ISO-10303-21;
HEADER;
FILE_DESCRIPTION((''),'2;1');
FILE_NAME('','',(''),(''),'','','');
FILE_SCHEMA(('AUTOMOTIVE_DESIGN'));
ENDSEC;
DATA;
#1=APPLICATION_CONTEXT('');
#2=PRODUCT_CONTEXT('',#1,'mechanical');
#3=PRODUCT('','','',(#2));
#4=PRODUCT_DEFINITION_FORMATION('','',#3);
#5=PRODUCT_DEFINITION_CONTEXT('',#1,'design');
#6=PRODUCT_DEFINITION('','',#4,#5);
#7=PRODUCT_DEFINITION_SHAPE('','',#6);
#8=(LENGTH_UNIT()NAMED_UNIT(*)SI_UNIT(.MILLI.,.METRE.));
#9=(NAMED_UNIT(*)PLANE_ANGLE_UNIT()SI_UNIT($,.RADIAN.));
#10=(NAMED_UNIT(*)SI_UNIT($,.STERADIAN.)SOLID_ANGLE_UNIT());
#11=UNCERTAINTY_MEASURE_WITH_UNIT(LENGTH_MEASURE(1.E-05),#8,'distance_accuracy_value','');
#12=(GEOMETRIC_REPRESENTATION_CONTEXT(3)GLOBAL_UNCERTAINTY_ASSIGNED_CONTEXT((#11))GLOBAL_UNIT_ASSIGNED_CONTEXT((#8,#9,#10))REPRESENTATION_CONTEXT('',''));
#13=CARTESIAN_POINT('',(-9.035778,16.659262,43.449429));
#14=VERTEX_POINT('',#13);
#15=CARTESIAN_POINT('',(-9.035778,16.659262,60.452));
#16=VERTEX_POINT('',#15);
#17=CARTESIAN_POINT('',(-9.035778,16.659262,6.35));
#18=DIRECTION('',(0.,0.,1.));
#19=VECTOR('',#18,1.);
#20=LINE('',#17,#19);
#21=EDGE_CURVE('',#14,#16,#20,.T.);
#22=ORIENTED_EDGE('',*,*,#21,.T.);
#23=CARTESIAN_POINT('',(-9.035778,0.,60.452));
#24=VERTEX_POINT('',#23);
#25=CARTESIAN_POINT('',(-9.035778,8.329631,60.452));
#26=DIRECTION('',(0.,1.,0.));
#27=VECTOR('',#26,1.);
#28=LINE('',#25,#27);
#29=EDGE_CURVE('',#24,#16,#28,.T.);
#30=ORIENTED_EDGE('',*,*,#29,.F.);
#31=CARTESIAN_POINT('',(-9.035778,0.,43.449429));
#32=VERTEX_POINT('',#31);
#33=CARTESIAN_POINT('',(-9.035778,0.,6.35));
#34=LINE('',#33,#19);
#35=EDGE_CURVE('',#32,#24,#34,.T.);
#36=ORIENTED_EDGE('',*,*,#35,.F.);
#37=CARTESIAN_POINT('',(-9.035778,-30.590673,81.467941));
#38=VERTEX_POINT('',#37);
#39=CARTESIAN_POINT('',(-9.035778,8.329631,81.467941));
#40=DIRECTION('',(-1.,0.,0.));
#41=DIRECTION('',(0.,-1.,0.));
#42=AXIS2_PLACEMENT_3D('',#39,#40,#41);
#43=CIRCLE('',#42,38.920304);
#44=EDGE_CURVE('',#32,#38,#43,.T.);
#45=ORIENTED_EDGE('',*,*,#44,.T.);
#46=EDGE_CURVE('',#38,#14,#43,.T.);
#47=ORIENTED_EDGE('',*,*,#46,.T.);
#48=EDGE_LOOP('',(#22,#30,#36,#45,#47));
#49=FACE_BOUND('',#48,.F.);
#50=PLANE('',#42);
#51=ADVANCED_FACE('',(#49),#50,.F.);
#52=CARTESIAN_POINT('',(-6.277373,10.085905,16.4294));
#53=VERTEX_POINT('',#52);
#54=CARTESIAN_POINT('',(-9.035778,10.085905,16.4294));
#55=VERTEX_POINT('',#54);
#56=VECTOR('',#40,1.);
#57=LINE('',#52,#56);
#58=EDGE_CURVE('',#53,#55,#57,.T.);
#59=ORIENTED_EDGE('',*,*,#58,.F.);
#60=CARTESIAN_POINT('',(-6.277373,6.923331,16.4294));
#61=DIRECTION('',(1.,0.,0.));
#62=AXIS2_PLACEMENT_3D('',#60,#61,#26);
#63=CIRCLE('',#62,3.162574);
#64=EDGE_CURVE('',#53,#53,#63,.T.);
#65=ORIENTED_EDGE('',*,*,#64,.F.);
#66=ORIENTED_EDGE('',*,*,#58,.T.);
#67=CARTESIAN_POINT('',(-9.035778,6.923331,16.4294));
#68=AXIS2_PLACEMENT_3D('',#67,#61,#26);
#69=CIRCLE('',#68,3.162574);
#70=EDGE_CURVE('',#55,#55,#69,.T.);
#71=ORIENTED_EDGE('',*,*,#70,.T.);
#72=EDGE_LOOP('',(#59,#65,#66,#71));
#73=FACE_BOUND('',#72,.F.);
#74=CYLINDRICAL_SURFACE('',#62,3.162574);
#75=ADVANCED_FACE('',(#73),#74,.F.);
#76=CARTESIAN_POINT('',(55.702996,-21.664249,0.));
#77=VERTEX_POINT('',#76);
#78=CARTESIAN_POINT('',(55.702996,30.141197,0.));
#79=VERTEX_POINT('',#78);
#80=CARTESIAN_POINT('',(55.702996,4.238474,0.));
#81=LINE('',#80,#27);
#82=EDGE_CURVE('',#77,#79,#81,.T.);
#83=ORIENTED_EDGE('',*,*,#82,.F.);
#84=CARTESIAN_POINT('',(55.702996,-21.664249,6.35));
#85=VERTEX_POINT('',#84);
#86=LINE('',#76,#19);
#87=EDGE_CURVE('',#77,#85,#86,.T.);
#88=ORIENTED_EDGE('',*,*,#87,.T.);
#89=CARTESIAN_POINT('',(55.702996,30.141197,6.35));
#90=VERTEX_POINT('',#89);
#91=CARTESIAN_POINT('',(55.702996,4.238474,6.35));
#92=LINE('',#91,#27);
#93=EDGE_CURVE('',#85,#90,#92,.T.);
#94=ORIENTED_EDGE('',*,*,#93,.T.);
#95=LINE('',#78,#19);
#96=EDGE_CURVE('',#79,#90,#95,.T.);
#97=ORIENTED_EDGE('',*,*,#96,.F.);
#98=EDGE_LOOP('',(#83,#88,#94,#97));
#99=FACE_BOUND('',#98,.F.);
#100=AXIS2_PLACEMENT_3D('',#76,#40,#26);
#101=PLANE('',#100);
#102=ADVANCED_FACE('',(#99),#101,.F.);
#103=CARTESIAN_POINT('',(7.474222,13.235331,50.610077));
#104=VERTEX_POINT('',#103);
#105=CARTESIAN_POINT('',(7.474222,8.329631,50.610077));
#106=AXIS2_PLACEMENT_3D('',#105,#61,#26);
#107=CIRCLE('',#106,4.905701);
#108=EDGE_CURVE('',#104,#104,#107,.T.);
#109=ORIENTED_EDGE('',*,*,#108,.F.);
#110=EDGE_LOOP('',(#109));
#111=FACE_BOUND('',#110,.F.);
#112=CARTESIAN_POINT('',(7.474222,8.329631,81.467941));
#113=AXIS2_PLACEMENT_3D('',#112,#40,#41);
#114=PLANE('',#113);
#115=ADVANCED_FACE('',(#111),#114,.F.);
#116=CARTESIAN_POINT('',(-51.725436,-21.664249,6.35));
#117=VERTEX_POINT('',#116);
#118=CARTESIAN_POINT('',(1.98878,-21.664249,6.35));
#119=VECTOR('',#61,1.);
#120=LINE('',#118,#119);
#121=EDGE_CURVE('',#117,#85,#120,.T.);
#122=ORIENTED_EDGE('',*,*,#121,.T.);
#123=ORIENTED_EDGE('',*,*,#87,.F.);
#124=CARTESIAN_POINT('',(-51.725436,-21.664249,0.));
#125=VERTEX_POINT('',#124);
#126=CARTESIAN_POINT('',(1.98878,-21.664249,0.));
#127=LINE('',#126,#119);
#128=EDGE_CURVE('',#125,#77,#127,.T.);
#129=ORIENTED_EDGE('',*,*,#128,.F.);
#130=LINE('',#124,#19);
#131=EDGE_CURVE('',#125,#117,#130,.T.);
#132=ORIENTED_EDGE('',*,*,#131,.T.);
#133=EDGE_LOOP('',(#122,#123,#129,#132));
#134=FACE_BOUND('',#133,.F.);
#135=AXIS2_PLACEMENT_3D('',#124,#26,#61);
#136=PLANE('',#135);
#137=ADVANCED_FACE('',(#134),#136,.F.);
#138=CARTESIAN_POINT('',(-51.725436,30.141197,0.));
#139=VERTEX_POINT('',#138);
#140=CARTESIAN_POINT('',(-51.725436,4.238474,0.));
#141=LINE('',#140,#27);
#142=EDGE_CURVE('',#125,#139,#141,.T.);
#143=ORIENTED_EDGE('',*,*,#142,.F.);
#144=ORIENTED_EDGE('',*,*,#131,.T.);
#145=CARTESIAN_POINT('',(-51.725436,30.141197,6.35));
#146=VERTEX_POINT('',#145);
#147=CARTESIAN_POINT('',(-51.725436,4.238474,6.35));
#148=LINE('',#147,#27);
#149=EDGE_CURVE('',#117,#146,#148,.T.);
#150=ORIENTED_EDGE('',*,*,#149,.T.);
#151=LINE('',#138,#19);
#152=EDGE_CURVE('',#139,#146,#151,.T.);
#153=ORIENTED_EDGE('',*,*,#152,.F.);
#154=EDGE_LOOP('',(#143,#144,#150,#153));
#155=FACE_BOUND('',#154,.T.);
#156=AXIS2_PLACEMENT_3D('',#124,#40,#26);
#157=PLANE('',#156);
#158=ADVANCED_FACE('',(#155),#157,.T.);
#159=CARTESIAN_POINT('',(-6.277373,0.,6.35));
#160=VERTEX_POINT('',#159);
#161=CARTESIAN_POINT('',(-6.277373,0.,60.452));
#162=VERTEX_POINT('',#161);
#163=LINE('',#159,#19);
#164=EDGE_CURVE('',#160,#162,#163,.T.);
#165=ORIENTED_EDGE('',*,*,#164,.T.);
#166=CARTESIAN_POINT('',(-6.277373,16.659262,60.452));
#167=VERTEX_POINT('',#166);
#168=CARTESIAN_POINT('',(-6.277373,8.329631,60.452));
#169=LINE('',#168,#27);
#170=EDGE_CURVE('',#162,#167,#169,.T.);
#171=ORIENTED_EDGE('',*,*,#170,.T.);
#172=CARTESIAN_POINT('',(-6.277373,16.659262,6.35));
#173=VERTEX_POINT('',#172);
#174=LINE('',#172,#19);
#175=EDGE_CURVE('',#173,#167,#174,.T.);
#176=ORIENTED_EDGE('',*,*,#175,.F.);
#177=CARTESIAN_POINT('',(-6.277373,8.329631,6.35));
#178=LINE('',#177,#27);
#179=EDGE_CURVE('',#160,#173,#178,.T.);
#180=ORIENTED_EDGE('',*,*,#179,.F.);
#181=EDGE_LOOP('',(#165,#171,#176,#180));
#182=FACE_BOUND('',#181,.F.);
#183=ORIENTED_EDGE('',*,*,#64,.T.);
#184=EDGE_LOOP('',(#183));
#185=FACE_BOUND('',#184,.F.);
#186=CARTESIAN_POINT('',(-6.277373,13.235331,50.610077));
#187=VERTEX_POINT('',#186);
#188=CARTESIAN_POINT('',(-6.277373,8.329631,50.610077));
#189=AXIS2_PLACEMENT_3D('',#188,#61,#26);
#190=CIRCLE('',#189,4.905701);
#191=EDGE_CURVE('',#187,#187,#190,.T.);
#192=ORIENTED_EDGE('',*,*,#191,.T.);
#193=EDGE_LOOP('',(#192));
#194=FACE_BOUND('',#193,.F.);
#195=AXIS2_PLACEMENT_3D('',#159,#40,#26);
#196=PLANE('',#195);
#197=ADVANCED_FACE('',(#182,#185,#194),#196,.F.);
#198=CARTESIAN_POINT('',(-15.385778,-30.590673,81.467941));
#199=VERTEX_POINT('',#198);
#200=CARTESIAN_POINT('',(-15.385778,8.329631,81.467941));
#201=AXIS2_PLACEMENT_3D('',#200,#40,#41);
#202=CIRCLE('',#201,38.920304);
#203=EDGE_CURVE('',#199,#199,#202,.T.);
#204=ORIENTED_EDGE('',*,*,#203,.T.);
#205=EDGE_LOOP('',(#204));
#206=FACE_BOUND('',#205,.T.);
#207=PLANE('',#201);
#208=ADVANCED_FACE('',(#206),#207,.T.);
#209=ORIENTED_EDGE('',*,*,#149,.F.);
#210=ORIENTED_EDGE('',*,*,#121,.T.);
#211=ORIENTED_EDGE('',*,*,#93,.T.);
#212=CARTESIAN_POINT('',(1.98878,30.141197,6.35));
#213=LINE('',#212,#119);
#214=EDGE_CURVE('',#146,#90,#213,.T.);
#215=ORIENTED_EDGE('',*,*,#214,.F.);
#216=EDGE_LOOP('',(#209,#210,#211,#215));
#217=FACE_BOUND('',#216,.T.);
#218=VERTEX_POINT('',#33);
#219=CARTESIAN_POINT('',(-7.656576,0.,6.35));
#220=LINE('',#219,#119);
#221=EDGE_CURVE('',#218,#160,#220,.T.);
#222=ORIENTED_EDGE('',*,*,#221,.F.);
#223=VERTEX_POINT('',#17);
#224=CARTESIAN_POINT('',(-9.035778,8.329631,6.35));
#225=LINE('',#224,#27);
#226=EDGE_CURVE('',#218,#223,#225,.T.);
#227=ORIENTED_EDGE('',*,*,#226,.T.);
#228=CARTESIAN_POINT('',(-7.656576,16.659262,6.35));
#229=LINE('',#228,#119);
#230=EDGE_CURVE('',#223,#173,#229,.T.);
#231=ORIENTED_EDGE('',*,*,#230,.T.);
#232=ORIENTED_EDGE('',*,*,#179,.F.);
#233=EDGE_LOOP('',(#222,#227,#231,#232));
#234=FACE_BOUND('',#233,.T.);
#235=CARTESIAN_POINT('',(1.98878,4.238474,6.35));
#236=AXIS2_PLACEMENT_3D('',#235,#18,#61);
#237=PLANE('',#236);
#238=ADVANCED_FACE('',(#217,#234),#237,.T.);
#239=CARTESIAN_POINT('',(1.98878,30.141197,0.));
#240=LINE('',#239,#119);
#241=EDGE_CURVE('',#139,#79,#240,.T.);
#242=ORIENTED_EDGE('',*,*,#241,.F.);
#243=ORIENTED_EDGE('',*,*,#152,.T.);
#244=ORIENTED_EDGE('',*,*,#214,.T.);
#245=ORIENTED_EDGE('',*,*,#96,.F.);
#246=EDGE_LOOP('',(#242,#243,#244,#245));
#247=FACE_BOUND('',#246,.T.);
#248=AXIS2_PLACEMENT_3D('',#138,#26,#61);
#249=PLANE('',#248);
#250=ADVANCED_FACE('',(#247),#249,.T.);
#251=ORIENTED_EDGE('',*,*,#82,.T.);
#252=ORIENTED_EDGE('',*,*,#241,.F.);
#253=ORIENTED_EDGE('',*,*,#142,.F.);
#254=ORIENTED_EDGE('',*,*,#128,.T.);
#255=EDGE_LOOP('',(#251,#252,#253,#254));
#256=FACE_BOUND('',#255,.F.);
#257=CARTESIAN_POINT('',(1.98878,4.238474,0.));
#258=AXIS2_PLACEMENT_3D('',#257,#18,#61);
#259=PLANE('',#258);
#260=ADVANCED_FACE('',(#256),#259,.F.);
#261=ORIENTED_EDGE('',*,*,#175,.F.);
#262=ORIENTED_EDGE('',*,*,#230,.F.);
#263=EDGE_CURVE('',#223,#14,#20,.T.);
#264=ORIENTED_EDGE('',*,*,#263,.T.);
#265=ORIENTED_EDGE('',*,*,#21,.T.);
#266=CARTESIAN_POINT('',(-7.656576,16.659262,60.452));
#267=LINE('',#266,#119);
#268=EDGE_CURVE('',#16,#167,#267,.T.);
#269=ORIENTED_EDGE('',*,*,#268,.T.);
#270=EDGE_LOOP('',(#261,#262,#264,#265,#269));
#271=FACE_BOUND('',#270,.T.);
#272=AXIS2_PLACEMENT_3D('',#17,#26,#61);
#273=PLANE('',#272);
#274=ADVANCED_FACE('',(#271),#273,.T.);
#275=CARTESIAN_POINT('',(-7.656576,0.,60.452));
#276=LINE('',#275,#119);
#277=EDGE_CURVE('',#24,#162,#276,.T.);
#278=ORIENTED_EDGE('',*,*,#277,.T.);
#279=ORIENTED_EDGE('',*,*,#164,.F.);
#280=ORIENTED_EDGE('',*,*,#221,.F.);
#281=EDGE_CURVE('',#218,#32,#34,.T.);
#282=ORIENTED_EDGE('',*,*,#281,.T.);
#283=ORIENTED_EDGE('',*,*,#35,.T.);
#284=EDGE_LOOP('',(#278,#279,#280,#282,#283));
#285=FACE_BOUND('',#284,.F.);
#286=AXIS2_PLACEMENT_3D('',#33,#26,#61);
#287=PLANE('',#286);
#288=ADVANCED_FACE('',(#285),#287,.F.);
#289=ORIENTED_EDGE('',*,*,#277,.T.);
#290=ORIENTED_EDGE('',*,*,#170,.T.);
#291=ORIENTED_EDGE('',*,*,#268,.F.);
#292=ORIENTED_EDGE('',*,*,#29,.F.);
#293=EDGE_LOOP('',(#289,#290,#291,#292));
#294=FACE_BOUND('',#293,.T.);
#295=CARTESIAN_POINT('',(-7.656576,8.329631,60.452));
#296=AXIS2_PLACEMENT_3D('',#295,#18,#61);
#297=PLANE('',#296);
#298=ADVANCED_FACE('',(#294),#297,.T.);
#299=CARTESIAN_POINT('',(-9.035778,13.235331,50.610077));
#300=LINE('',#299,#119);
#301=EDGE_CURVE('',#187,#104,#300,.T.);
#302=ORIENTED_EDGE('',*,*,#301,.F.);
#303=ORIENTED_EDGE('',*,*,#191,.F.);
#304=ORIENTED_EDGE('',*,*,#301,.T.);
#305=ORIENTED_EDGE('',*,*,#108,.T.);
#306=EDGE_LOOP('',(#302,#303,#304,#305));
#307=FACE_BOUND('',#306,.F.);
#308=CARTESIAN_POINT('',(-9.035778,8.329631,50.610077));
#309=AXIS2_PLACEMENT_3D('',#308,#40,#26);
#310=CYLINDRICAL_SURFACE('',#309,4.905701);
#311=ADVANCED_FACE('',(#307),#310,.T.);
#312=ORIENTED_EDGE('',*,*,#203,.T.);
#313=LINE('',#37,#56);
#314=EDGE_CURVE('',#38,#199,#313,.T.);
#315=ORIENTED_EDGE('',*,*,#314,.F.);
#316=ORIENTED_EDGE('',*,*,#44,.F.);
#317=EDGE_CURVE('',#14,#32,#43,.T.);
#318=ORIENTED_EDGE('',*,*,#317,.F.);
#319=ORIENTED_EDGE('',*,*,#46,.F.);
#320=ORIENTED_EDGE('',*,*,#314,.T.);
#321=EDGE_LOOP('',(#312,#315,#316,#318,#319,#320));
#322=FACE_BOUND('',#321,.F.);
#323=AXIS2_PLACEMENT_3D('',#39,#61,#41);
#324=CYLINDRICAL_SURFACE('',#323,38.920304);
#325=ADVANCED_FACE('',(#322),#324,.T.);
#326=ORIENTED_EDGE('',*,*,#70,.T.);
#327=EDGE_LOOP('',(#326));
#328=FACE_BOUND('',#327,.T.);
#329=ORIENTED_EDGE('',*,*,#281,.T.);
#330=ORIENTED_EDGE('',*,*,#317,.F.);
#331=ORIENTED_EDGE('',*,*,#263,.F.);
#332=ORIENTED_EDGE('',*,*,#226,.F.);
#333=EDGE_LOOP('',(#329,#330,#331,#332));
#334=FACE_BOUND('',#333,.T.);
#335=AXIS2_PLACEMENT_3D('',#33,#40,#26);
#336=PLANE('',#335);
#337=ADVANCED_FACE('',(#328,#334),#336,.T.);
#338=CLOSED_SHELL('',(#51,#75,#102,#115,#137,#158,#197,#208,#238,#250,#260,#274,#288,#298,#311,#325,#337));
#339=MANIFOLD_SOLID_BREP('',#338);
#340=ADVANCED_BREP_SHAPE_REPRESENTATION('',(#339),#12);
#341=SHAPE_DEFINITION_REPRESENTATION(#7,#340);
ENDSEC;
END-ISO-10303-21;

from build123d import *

# Parameters (mm, degrees)
F0_W      = 107.4284315109
F0_H      = 51.8054459244
F1_DEPTH  = 6.35
F2_W      = 2.7584051713
F2_H      = 16.6592616588
F3_DEPTH  = 54.102
F4_R      = 4.9057005628
F5_DEPTH  = 45.4490629414
F6_R      = 38.9203036593
F7_DEPTH  = 6.35
F8_DEPTH  = 16.51
F9_R      = 3.1625742778
F10_DEPTH = 45.4490629414


with BuildPart() as f1:
    # F0 (on Top) → F1 (new body)
    with BuildSketch(Plane.XY):
        with Locations((1.9887797534, 4.2384741828)):
            Rectangle(F0_W, F0_H)
    extrude(amount=F1_DEPTH)

    # F2 (on face) → F3 (join)
    with BuildSketch(Plane.XY.offset(6.35)):
        with Locations((-7.6565756463, 8.3296308294)):
            Rectangle(F2_W, F2_H)
    extrude(amount=F3_DEPTH)

    # F4 (on face) → F5 (cut, through all)
    with BuildSketch(Plane.YZ.offset(-6.2773730606)):
        with Locations((8.3296308294, 50.6100766361)):
            Circle(F4_R)
    extrude(amount=-F5_DEPTH, mode=Mode.SUBTRACT)

    # F6 (on face) → F7 (join)
    with BuildSketch(Plane(origin=(-9.0357782319, 0, 0), x_dir=(0, -1, 0), z_dir=(-1, 0, 0))):
        with Locations((-8.3296308294, 81.4679414034)):
            Circle(F6_R)
    extrude(amount=F7_DEPTH)

    # F8 (add): a face of the model
    f8_faces = [f1.faces().sort_by_distance(p)[0] for p in [
        (-9.0357782319, 8.3296308294, 50.6100766361),
    ]]
    extrude(f8_faces, amount=F8_DEPTH)

    # F9 (on face) → F10 (cut, through all)
    with BuildSketch(Plane.YZ.offset(-6.2773730606)):
        with Locations((6.9233309478, 16.4294000715)):
            Circle(F9_R)
    extrude(amount=-F10_DEPTH, mode=Mode.SUBTRACT)


solid = f1.part
